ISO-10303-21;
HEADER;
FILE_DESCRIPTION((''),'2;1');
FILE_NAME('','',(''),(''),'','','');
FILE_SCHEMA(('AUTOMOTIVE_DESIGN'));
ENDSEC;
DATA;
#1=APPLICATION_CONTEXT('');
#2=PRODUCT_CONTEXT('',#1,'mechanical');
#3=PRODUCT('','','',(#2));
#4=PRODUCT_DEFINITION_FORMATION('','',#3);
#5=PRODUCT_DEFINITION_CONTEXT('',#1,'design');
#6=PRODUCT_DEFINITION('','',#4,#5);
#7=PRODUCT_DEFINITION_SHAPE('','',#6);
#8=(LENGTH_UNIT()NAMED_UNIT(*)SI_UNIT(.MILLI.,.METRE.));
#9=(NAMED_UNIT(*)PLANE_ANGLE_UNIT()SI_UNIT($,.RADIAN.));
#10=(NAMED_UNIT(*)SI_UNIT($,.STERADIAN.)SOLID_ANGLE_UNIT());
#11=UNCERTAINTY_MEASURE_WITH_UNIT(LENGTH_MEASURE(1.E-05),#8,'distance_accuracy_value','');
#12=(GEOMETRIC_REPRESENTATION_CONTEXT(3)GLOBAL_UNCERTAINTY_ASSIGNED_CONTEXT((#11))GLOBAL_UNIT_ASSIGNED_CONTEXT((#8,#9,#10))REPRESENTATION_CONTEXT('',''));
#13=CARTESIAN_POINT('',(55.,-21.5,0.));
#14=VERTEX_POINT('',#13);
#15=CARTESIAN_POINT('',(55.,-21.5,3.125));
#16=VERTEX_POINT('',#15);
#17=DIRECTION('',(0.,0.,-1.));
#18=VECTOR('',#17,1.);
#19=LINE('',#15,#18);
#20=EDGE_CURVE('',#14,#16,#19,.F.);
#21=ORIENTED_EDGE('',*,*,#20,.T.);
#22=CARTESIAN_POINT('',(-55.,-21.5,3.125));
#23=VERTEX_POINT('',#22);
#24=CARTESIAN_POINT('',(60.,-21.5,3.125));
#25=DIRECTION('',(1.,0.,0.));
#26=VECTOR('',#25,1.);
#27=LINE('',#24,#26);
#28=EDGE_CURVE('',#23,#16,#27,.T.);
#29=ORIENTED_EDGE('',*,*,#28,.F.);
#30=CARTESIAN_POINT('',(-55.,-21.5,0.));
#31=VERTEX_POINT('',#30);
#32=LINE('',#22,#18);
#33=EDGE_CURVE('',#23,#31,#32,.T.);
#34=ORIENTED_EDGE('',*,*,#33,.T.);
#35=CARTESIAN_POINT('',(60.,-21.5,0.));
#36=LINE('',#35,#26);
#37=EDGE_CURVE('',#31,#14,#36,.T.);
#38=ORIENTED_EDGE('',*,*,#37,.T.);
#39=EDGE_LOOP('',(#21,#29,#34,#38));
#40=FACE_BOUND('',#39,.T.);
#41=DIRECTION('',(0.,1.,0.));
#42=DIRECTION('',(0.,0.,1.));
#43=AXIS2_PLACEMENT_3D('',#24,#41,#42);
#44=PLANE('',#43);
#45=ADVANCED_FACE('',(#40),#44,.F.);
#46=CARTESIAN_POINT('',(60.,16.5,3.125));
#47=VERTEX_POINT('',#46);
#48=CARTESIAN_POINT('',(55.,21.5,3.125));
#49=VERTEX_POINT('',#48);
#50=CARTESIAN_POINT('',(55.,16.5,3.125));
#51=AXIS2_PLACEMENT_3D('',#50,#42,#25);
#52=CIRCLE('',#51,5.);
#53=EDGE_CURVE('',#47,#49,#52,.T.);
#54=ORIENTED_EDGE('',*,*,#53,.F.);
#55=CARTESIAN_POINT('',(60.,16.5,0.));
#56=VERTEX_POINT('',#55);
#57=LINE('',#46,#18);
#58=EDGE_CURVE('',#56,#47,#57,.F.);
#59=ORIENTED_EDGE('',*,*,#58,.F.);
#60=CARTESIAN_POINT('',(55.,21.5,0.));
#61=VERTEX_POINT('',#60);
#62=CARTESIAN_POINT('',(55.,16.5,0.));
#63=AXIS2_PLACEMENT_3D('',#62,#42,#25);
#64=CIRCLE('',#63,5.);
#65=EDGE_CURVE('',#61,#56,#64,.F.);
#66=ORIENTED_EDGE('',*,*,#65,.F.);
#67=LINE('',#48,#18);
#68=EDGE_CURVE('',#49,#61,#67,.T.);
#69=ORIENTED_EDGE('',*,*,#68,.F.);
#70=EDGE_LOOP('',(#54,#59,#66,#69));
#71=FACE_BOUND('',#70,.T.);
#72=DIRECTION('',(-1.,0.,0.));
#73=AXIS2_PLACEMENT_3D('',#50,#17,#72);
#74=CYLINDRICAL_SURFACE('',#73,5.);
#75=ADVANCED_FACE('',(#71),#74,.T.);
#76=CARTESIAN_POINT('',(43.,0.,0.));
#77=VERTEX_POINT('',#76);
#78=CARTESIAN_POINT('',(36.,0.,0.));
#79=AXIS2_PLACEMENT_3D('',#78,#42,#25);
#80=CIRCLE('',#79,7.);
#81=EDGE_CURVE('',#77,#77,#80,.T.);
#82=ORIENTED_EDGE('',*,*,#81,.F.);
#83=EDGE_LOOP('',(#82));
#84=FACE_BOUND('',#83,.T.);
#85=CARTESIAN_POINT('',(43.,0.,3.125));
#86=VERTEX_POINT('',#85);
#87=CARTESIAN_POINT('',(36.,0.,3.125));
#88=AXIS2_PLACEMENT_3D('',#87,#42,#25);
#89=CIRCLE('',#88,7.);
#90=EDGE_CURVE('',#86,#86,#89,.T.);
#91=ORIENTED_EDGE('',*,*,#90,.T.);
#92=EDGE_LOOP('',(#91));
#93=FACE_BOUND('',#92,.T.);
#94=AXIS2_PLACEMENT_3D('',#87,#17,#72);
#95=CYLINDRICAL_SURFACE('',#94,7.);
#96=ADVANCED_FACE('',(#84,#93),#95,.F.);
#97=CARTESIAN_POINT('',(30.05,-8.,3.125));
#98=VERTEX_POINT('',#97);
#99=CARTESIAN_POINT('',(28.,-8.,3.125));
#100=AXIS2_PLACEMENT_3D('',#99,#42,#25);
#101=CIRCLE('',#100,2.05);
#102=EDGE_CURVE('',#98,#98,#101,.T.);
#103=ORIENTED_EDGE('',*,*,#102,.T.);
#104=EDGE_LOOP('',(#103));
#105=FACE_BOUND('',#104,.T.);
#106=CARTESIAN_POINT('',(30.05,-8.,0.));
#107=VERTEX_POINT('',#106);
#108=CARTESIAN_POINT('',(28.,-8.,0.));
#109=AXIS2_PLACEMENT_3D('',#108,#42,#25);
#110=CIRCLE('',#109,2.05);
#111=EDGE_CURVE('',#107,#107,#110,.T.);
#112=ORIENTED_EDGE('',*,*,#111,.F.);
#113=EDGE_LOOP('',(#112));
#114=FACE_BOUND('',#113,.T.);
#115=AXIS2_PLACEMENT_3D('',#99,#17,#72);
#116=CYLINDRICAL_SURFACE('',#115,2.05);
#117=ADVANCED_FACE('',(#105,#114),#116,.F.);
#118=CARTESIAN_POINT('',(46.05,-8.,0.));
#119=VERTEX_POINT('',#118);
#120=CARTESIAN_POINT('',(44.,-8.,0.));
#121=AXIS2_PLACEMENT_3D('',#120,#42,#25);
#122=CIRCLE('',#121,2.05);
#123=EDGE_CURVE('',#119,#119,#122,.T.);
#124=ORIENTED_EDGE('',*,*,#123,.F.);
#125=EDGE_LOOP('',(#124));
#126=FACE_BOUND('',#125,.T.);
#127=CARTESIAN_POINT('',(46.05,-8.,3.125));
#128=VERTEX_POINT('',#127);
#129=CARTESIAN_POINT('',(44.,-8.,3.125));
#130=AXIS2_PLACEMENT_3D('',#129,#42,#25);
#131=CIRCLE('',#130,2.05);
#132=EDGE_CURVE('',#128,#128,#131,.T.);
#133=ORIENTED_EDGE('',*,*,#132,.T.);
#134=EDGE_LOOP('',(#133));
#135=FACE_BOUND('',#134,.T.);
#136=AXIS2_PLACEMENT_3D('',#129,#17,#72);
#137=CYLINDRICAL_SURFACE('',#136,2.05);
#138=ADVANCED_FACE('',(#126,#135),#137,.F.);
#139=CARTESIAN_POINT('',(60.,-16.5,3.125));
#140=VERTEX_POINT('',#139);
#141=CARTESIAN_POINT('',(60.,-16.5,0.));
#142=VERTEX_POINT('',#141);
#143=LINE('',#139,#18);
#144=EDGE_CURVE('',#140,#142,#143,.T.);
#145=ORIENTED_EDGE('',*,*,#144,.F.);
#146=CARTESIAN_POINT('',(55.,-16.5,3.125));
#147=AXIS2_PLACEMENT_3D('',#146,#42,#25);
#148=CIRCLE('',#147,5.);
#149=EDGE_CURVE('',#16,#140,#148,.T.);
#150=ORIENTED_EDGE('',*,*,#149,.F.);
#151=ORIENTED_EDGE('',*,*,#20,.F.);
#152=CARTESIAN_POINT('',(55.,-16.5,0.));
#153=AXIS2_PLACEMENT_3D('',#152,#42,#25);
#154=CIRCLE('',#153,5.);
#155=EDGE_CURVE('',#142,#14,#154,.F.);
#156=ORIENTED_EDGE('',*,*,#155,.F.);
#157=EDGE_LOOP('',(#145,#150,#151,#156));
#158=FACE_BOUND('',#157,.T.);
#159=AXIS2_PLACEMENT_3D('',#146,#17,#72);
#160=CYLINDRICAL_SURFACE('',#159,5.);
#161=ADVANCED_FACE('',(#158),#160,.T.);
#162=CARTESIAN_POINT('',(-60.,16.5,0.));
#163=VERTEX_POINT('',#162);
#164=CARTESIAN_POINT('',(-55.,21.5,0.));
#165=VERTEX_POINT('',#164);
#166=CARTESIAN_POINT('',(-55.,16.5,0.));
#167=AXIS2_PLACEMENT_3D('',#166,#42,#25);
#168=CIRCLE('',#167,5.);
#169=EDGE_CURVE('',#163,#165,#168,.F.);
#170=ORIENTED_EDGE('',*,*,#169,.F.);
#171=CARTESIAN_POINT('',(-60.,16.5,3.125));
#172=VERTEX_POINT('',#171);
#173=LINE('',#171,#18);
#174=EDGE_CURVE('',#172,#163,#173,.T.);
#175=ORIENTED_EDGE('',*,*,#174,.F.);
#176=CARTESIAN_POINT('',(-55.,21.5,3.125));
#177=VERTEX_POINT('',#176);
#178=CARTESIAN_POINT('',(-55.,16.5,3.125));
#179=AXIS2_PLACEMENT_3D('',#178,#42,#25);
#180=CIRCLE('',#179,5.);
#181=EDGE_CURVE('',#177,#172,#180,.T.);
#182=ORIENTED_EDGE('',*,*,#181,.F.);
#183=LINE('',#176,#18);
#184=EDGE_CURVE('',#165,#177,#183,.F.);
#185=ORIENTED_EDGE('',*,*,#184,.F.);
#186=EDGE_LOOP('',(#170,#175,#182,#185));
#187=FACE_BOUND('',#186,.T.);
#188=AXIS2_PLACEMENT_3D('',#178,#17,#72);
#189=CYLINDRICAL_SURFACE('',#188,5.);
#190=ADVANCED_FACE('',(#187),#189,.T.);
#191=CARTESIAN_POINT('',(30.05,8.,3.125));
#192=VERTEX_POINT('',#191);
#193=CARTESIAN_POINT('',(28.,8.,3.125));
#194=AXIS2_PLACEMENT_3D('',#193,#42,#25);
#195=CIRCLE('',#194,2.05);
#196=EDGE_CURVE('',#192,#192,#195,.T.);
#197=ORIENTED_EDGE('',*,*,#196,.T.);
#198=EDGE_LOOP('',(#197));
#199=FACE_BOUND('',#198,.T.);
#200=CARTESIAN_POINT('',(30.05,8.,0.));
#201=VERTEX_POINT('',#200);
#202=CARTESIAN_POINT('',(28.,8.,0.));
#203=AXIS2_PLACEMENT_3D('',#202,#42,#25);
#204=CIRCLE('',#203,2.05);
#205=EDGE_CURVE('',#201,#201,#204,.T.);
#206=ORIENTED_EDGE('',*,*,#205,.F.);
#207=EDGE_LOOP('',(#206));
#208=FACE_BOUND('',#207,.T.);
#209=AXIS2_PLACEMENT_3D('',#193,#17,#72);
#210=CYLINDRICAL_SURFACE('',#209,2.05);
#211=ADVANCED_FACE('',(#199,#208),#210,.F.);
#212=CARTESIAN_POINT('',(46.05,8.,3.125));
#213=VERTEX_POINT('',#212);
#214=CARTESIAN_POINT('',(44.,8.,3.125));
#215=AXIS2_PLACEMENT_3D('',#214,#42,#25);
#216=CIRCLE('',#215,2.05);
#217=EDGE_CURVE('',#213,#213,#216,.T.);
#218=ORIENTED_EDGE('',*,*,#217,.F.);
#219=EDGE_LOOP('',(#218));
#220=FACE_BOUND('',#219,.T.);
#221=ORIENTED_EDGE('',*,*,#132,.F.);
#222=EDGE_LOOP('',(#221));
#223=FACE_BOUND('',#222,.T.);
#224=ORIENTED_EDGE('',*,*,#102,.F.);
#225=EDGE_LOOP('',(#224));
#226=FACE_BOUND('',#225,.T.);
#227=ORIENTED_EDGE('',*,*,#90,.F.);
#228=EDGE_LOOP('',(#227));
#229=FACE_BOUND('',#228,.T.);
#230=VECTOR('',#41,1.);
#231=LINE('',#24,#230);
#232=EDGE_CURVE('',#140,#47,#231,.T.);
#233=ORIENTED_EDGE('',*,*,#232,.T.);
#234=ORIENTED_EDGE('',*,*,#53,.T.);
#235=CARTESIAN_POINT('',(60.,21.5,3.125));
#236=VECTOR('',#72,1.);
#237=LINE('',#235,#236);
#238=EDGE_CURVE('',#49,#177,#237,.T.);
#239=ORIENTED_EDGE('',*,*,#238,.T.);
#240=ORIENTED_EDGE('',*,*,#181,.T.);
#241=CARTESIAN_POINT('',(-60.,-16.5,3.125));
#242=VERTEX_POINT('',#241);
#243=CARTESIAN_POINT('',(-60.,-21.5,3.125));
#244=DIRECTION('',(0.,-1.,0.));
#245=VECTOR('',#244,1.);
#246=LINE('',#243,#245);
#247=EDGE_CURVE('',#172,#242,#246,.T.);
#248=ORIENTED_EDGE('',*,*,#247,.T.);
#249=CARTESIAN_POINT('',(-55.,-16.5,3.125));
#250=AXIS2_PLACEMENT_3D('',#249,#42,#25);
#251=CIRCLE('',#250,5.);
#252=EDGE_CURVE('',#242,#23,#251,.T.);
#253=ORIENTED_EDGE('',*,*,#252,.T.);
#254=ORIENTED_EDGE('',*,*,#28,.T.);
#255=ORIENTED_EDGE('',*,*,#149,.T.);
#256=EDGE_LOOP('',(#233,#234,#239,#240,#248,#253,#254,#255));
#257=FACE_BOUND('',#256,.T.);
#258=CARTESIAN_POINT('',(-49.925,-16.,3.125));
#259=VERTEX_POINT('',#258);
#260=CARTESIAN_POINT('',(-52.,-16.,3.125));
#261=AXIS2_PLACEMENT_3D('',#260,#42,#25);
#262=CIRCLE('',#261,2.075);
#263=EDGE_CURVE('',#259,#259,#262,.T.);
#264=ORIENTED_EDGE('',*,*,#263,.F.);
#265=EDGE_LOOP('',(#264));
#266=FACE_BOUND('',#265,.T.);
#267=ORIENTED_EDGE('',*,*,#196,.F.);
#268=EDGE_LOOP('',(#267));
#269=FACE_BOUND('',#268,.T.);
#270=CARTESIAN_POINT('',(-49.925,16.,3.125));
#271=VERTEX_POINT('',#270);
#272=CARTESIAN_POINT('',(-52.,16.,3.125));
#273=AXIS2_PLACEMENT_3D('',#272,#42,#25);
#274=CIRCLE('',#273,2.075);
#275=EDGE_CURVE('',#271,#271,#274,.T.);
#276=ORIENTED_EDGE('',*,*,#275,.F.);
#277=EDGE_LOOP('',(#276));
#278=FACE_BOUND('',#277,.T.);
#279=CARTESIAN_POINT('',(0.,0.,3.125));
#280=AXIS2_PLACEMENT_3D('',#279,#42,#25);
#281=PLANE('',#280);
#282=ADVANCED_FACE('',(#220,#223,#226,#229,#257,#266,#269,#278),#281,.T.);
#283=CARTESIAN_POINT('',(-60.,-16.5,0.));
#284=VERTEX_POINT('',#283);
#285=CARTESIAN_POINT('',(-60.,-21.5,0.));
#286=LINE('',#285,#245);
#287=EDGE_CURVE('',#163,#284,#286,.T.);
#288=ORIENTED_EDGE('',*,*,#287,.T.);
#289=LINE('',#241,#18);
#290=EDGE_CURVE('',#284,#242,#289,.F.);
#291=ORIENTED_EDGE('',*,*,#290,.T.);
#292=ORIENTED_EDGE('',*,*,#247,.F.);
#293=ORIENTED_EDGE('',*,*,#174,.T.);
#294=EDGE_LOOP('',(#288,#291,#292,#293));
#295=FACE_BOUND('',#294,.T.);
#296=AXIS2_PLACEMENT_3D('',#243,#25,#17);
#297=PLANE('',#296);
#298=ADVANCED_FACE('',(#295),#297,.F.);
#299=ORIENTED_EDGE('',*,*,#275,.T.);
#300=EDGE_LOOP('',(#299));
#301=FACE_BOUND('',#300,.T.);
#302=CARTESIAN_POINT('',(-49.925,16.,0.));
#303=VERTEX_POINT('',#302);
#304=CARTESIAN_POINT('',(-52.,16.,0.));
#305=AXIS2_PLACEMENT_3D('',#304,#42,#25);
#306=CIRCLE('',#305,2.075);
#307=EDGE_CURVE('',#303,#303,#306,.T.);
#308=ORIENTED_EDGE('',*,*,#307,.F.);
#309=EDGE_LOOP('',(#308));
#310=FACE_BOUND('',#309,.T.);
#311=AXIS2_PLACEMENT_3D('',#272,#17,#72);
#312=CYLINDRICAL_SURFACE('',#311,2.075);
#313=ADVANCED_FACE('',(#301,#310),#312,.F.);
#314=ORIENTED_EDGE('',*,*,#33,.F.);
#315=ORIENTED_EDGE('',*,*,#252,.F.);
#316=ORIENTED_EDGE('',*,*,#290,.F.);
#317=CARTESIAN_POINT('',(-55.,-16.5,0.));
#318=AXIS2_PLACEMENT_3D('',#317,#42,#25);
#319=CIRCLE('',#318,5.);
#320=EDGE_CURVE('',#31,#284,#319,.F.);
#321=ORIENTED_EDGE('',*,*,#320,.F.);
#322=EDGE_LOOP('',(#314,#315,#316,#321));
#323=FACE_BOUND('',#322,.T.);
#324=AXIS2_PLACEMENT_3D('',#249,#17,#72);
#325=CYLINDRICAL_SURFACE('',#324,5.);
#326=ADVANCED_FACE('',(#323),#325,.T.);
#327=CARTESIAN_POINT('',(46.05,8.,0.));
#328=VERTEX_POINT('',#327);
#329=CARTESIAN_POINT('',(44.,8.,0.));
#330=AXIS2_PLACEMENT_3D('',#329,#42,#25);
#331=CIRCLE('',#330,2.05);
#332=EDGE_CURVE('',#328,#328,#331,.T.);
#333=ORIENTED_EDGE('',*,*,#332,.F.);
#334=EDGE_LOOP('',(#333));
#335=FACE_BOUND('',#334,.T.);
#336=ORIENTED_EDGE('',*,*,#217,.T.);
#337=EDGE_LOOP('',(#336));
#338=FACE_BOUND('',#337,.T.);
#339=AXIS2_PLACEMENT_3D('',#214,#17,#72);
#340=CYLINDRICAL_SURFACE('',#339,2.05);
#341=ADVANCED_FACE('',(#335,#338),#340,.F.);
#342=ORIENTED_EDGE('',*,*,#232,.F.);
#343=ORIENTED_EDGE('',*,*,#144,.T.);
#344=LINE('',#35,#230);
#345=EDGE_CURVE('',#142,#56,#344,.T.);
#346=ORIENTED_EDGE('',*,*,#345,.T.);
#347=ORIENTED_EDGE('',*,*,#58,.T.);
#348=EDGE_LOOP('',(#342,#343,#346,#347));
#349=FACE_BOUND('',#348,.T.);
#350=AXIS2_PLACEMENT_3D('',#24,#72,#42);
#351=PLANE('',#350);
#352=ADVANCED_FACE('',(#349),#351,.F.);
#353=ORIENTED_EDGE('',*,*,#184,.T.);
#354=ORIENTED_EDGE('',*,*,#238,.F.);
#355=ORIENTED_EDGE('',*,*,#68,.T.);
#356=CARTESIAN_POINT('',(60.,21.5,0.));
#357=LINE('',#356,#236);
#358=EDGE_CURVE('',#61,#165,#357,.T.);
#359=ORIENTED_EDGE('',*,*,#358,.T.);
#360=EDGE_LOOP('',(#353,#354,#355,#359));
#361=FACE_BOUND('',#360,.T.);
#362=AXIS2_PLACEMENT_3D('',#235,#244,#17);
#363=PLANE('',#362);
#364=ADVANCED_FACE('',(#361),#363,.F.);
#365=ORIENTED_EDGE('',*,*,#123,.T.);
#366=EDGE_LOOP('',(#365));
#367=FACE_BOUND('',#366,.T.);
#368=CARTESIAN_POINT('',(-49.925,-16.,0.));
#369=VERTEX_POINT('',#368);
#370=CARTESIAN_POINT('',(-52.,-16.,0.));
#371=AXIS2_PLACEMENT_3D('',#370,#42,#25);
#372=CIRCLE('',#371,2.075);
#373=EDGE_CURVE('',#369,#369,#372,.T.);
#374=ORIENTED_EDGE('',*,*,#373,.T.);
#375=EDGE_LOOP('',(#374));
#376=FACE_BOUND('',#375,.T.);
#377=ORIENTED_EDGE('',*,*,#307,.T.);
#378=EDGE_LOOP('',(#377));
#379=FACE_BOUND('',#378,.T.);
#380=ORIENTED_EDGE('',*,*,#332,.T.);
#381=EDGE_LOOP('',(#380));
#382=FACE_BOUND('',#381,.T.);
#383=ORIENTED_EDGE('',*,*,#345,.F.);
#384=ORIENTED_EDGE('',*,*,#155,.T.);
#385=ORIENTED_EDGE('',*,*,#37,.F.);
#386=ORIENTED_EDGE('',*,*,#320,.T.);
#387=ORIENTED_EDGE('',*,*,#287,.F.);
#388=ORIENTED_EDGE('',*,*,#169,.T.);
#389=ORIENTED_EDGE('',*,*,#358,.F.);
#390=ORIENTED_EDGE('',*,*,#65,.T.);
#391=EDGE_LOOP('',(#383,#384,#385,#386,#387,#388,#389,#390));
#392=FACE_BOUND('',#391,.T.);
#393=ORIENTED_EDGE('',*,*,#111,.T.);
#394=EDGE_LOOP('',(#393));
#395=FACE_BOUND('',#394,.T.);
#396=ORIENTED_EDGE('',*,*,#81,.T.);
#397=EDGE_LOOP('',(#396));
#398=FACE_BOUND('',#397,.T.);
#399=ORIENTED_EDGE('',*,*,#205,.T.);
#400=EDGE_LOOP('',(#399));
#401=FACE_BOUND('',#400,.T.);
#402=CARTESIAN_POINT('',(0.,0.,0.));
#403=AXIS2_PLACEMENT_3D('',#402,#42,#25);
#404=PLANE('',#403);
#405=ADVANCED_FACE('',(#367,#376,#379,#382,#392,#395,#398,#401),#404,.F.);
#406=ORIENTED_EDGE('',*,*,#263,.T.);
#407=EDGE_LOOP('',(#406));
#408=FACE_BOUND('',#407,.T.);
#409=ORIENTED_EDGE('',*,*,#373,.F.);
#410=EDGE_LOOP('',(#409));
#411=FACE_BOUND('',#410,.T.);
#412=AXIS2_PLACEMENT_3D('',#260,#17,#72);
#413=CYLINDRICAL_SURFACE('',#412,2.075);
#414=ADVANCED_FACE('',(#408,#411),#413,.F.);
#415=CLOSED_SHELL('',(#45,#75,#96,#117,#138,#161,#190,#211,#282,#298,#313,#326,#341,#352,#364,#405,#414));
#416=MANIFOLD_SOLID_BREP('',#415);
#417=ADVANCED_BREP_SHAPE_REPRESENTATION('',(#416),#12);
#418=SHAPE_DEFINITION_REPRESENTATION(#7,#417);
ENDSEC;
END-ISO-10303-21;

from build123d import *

# Parameters (mm, degrees)
SKETCH1_W           = 120
SKETCH1_H           = 43
SKETCH1_R           = 2.075
SKETCH1_R_2         = 2.05
SKETCH1_R_3         = 7
BOSS_EXTRUDE1_DEPTH = 3.125
FILLET1_R           = 5


with BuildPart() as part:
    # Sketch1 → Boss-Extrude1 (new body)
    with BuildSketch(Plane.XY):
        Rectangle(SKETCH1_W, SKETCH1_H)
        with Locations((-52, 16)):
            Circle(SKETCH1_R, mode=Mode.SUBTRACT)
        with Locations((-52, -16)):
            Circle(SKETCH1_R, mode=Mode.SUBTRACT)
        with Locations((28, 8)):
            Circle(SKETCH1_R_2, mode=Mode.SUBTRACT)
        with Locations((44, 8)):
            Circle(SKETCH1_R_2, mode=Mode.SUBTRACT)
        with Locations((44, -8)):
            Circle(SKETCH1_R_2, mode=Mode.SUBTRACT)
        with Locations((36, 0)):
            Circle(SKETCH1_R_3, mode=Mode.SUBTRACT)
        with Locations((28, -8)):
            Circle(SKETCH1_R_2, mode=Mode.SUBTRACT)
    extrude(amount=BOSS_EXTRUDE1_DEPTH)

    # Fillet1
    fillet1_edges = [part.edges().sort_by_distance(p)[0] for p in [
        (-60, 21.5, 1.5625),
        (60, 21.5, 1.5625),
        (60, -21.5, 1.5625),
        (-60, -21.5, 1.5625),
    ]]
    fillet(fillet1_edges, radius=FILLET1_R)


solid = part.part
